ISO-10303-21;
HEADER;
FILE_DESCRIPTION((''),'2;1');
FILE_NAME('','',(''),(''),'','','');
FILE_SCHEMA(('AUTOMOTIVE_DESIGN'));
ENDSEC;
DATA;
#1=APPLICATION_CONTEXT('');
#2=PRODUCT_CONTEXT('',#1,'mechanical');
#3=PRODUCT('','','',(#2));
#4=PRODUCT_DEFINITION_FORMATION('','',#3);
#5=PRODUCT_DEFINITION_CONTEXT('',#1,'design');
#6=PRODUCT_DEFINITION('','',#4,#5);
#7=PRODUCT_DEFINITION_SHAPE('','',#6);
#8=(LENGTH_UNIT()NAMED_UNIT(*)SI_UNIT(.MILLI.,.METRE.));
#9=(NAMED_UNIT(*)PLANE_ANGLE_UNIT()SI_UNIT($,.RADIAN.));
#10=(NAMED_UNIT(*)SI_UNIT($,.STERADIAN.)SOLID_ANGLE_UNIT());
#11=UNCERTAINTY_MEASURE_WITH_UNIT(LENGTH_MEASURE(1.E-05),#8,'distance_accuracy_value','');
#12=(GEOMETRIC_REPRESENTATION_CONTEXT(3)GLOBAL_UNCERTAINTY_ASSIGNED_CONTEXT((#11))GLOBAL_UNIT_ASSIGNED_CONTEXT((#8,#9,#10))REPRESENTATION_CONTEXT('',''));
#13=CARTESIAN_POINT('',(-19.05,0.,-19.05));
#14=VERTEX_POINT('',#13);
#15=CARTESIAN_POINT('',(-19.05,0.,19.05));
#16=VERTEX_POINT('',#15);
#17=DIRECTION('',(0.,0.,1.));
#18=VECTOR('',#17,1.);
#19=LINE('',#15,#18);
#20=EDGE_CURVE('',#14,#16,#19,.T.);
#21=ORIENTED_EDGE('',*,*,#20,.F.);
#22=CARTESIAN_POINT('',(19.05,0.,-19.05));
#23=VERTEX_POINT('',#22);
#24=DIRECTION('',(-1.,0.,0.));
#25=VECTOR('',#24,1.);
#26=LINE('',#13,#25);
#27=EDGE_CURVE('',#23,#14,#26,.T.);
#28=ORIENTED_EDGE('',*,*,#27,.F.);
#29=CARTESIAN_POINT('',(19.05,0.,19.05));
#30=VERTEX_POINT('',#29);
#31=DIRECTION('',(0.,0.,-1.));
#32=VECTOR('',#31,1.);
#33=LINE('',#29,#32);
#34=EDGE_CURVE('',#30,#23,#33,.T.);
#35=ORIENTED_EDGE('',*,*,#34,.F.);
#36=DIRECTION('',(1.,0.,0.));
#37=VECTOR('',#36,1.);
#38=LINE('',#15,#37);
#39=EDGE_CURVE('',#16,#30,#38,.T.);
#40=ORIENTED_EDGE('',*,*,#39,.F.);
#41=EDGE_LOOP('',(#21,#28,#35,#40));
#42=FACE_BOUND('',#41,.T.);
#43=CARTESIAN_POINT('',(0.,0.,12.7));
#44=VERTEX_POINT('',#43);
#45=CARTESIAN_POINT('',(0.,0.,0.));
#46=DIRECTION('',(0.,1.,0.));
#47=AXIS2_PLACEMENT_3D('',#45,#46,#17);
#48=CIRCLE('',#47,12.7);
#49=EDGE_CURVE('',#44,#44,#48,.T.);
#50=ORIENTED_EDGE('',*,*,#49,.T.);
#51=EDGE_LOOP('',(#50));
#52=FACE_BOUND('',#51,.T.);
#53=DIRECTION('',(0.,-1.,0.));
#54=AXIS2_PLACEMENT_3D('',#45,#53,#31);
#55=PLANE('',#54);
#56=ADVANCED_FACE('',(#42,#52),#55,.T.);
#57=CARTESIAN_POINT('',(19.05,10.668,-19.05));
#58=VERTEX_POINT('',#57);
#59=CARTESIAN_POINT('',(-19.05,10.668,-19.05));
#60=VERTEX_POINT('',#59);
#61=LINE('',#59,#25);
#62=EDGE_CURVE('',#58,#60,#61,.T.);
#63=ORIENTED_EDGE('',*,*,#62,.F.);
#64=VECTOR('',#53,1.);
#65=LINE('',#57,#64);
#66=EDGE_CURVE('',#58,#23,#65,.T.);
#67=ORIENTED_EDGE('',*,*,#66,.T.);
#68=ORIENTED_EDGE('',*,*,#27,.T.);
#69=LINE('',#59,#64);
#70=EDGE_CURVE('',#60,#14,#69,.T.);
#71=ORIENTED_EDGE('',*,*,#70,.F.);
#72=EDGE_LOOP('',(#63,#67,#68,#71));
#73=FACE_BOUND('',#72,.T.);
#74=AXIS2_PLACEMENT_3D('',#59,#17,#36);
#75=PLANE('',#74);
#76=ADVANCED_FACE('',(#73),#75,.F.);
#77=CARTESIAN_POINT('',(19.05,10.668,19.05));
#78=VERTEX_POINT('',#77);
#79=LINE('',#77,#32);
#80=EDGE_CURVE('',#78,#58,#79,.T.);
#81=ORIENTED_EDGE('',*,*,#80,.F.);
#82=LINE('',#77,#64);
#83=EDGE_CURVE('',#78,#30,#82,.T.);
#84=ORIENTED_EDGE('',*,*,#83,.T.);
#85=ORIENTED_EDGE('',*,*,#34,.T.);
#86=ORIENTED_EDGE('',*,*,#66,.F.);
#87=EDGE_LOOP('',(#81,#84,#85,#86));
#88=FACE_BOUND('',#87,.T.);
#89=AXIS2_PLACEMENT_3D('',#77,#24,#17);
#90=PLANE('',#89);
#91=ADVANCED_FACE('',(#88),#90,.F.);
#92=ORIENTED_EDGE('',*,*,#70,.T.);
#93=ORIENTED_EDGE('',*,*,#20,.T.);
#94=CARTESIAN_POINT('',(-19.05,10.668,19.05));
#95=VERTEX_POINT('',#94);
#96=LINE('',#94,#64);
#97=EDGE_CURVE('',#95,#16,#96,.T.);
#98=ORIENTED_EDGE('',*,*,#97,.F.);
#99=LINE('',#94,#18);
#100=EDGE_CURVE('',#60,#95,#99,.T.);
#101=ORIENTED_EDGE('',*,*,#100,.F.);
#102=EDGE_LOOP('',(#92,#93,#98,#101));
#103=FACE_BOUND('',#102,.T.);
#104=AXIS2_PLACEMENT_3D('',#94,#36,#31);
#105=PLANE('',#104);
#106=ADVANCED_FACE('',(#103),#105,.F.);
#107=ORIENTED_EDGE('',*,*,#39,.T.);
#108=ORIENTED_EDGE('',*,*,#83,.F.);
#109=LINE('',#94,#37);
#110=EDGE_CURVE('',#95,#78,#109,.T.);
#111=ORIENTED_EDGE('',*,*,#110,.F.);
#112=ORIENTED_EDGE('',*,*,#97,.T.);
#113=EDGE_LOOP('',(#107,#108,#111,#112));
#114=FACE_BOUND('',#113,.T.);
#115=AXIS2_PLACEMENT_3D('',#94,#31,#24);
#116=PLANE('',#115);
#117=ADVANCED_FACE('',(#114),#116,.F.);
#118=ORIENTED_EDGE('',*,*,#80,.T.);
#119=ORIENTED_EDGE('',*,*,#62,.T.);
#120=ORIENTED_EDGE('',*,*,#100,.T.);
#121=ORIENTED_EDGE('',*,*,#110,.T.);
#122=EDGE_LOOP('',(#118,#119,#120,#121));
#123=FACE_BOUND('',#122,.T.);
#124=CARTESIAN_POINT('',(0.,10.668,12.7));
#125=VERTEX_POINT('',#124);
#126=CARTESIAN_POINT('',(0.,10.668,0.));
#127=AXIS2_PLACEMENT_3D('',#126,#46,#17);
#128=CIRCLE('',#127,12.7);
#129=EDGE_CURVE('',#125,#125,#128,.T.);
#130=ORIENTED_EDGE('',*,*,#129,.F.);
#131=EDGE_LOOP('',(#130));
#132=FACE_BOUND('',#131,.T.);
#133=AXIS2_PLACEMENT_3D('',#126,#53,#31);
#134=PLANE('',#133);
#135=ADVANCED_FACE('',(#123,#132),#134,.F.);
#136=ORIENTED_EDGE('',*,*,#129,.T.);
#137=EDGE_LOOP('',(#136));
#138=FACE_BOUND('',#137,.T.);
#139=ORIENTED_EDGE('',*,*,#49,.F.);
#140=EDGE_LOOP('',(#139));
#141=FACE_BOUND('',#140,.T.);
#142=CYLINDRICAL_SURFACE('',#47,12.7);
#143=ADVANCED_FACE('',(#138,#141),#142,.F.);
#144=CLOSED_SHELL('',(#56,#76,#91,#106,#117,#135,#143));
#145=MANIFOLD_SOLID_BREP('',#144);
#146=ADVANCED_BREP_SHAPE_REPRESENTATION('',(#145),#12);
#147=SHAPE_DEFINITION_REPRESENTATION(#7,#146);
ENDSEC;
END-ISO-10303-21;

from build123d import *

# Parameters (mm, degrees)
SKETCH1_W           = 38.1
SKETCH1_H           = 38.1
BOSS_EXTRUDE1_DEPTH = 10.668
SKETCH3_R           = 12.7
CUT_EXTRUDE1_DEPTH  = 10.668


with BuildPart() as part:
    # Sketch1 → Boss-Extrude1 (new body)
    with BuildSketch(Plane(origin=(0, 0, 0), x_dir=(1, 0, 0), z_dir=(0, 1, 0))):
        Rectangle(SKETCH1_W, SKETCH1_H)
    extrude(amount=BOSS_EXTRUDE1_DEPTH)

    # Sketch3 → Cut-Extrude1 (cut)
    with BuildSketch(Plane(origin=(0, 10.668, 0), x_dir=(1, 0, 0), z_dir=(0, 1, 0))):
        with Locations(Location((0, 0, 0), (0, 0, 270))):
            Circle(SKETCH3_R)
    extrude(amount=-CUT_EXTRUDE1_DEPTH, mode=Mode.SUBTRACT)


solid = part.part
